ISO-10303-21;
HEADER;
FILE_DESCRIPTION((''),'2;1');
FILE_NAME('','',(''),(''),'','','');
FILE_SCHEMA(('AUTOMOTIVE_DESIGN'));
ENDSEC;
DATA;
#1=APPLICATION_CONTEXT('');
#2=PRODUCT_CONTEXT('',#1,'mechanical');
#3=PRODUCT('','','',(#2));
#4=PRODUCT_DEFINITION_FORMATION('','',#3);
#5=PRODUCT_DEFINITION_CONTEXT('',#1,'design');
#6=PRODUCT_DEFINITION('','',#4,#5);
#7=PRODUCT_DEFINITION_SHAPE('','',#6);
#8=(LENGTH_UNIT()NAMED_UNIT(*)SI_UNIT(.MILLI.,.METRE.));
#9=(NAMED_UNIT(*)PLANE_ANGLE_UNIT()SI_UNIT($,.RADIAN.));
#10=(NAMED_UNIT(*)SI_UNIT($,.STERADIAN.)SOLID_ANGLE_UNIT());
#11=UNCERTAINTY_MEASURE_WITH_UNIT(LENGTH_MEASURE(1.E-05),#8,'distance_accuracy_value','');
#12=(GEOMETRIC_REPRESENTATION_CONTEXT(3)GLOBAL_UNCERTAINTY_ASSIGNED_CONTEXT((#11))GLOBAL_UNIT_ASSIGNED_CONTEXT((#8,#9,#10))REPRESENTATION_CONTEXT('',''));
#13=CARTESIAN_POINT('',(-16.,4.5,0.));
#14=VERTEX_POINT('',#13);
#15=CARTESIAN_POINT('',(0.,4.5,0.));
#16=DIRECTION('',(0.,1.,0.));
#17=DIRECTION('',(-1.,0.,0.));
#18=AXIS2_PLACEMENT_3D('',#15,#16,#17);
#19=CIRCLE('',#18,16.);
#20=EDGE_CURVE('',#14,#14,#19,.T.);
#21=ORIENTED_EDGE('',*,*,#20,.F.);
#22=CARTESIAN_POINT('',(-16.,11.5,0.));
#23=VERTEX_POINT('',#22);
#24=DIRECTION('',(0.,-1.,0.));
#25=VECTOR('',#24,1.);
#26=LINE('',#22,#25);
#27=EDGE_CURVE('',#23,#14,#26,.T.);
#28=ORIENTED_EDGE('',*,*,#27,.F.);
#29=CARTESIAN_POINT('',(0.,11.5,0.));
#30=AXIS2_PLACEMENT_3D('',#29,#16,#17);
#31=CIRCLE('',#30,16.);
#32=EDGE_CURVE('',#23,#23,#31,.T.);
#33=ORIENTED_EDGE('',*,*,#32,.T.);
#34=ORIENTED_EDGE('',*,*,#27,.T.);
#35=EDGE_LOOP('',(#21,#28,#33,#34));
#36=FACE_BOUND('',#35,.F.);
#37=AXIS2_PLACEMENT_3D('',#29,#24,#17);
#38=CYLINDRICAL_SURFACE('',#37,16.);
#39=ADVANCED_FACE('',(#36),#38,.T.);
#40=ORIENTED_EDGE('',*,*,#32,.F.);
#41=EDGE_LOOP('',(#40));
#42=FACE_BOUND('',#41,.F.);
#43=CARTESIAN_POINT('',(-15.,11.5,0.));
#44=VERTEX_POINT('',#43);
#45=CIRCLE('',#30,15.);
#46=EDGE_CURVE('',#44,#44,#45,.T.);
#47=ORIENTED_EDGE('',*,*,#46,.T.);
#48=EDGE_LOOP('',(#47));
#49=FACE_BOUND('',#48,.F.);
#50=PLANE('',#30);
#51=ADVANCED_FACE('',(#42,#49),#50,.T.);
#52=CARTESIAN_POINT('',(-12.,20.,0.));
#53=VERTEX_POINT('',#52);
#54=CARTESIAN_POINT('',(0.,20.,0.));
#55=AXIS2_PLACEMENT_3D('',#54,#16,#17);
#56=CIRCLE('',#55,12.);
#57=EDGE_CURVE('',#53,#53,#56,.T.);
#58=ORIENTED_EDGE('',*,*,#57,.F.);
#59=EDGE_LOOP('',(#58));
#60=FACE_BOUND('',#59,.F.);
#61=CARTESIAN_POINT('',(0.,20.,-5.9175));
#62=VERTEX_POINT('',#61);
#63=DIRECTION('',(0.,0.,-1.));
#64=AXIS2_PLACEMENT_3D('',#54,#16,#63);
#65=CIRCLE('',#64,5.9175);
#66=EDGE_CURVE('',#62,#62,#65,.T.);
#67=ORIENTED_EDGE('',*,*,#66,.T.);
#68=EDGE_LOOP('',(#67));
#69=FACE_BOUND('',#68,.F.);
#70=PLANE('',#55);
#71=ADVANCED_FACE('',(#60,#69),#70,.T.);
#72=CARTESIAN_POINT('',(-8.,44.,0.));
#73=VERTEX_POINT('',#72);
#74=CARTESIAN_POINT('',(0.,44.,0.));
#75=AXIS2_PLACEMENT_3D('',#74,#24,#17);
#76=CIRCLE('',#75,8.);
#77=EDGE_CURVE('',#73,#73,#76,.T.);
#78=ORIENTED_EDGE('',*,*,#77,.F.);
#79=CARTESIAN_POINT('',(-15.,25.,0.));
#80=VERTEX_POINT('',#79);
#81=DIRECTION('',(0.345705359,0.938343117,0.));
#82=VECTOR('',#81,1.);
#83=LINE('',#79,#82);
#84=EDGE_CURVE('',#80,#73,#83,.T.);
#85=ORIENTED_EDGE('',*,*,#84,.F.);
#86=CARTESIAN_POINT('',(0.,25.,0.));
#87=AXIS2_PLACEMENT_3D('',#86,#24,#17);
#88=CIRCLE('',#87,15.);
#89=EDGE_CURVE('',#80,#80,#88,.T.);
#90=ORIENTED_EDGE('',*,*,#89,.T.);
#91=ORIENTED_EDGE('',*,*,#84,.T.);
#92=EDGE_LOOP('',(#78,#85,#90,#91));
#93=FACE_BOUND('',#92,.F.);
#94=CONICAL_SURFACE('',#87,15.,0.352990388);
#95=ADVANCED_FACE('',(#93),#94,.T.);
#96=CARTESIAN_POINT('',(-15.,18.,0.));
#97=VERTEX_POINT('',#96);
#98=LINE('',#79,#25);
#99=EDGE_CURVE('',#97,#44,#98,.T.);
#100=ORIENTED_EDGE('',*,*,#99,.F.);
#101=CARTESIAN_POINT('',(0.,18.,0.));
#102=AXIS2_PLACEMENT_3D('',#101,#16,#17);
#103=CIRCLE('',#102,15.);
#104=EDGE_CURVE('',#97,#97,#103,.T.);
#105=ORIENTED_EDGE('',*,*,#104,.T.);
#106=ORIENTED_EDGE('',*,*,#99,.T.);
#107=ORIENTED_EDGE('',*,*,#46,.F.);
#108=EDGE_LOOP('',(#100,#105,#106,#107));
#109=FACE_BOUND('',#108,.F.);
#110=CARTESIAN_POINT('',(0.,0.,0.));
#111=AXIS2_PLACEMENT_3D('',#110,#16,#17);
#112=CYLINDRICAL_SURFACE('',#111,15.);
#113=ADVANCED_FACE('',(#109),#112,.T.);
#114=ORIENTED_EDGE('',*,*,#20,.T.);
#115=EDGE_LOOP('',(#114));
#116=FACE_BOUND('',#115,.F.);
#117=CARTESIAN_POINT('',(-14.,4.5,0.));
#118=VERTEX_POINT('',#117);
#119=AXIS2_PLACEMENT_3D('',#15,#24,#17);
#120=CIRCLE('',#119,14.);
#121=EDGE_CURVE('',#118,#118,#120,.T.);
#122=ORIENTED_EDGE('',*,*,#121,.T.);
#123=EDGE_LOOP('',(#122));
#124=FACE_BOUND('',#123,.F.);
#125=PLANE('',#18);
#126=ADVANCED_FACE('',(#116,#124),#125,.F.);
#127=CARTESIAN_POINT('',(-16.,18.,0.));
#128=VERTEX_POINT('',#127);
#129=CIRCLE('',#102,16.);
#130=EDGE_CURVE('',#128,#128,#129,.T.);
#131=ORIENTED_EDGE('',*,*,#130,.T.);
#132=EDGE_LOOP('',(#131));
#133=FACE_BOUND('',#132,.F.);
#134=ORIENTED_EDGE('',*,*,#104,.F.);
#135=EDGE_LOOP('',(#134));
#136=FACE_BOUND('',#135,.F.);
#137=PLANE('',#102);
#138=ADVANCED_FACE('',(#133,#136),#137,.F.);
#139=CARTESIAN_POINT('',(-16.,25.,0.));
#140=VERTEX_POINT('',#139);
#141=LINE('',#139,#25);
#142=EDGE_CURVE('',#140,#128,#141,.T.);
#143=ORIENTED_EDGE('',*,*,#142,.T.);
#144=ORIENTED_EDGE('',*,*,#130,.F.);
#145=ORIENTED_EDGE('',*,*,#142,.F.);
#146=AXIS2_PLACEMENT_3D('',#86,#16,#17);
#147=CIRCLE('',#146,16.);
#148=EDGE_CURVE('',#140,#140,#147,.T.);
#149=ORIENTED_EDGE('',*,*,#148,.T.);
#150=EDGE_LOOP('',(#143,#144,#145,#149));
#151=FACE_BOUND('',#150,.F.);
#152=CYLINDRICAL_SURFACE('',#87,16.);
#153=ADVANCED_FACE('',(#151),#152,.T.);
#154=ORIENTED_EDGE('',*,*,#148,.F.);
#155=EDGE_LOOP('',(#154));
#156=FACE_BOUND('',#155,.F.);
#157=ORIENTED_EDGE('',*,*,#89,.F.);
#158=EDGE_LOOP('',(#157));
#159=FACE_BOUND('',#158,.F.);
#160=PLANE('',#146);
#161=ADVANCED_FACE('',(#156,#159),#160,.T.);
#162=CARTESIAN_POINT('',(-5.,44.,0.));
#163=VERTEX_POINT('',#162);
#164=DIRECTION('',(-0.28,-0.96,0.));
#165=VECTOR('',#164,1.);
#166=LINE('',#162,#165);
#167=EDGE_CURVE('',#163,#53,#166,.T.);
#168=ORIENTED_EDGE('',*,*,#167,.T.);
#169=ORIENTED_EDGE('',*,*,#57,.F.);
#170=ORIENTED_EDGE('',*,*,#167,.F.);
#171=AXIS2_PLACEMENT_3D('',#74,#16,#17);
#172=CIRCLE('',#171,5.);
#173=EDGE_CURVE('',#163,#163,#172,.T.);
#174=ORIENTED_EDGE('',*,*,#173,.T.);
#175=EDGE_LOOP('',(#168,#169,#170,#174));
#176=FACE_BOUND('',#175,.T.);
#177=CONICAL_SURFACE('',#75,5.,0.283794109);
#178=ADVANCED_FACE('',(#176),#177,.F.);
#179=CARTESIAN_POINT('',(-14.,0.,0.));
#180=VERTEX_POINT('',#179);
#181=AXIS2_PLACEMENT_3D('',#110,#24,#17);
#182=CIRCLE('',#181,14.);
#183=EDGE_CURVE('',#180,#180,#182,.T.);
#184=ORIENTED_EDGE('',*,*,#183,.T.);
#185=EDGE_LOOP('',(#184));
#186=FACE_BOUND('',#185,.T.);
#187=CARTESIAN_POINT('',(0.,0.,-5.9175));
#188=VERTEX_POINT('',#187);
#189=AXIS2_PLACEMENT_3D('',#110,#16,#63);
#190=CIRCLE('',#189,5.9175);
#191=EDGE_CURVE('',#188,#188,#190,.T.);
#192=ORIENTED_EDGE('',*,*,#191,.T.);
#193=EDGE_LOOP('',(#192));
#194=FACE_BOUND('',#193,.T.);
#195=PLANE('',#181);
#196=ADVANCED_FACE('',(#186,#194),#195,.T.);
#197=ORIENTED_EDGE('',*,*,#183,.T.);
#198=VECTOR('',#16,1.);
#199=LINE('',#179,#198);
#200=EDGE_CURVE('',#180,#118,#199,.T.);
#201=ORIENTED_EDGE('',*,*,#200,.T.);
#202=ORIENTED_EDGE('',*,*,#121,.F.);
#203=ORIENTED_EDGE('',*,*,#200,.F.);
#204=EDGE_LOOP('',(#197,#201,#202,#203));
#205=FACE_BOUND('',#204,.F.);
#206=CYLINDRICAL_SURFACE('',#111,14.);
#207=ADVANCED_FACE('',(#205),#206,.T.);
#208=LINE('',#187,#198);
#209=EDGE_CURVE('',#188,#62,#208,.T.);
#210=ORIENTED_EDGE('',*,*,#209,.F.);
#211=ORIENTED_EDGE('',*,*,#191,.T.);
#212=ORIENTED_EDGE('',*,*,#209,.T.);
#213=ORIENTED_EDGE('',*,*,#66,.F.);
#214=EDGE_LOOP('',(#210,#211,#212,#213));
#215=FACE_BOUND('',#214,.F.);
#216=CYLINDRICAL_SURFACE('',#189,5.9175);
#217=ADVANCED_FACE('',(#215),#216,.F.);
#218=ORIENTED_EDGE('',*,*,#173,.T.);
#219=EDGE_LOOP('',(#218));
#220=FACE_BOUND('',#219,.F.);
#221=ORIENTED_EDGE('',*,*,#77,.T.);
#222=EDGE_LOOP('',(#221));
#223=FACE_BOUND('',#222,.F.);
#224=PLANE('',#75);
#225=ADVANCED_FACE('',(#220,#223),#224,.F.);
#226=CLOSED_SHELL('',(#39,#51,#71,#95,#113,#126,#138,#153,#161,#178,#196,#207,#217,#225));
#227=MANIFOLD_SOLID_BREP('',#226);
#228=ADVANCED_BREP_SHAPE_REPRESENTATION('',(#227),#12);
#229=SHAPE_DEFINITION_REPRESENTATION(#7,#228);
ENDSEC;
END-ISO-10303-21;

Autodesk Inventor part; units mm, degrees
ref_plane "YZ Plane" through (0, 0, 0) normal (1, 0, 0) x (0, 1, 0)
ref_plane "XZ Plane" through (0, 0, 0) normal (0, 1, 0) x (-1, 0, 0)
ref_plane "XY Plane" through (0, 0, 0) normal (0, 0, 1) x (1, 0, 0)
sketch "Sketch1" plane through (0, 0, 0) normal (0, 0, 1) x (1, 0, 0)
  line L0 (0, 52.8) -> (0, -8.8) construction
  line L1 (-18, 0) -> (3, 0) construction
  line L2 (-15, 0) -> (0, 0)
  line L3 (-15, 0) -> (-15, 25)
  line L4 (-15, 25) -> (-8, 44)
  line L5 (-8, 44) -> (0, 44)
  line L6 (0, 44) -> (0, 0)
  line L7 (-15, 0) -> (-14, 0)
  line L8 (-14, 0) -> (-14, 4.5)
  line L9 (-14, 4.5) -> (-15, 4.5)
  line L10 (-15, 4.5) -> (-15, 0)
  dimension "d0" = 15
  dimension "d1" = 44
  dimension "d2" = 8
  dimension "d3" = 25
  dimension "d31" = 1
  dimension "d32" = 4.5
revolve "Revolution1" add sketch "Sketch1" angle 360 about axis through (0, 0, 0) along (0, -1, 0)
revolve "Revolution4" cut sketch "Sketch1" angle 360 about axis through (0, 0, 0) along (0, -1, 0) contours L3 L9 L8 L2
sketch "Sketch2" plane through (0, 0, 0) normal (0, 0, 1) x (1, 0, 0)
  line L0 (-8, 44) -> (-15, 25) projected
  line L1 (-8, 44) -> (8, 44) projected
  line L2 (8, 44) -> (15, 25) projected
  line L3 (0, 44) -> (0, 20)
  line L4 (0, 20) -> (-12, 20)
  line L5 (-5, 44) -> (-12, 20)
  line L6 (0, 15.2) -> (0, 48.8) projected
  dimension "d10" = 12
  dimension "d11" = 3
  dimension "d12" = 24
revolve "Revolution2" cut sketch "Sketch2" angle 360 about axis through (0, -10, 0) along (0, 1, 0)
sketch "Sketch3" plane through (0, 0, 0) normal (0, -1, 0) x (1, 0, 0)
  circle A0 centre (0, 0) radius 15 projected
hole "Hole1" at (0, 0, 0) direction (0, 1, 0) diameter 11.835 depth 20 thread size "M14x2" class "6H" standard "ISO Metric profile"
sketch "Sketch4" plane through (0, 0, 0) normal (0, 0, 1) x (1, 0, 0)
  line L0 (-15, 0) -> (15, 0) projected
  line L1 (-15, 25) -> (15, 25) projected
  line L2 (-15, 25) -> (-15, 0)
  line L3 (-15, 25) -> (-16, 25)
  line L4 (-16, 25) -> (-16, 18)
  line L5 (-16, 18) -> (-15, 18)
  line L6 (-15, 18) -> (-15, 25)
  line L7 (-15, 11.5) -> (-16, 11.5)
  line L8 (-16, 11.5) -> (-16, 4.5)
  line L9 (-16, 4.5) -> (-15, 4.5)
  line L10 (-15, 4.5) -> (-15, 11.5)
  line L11 (0, -5) -> (0, 30) projected
  line L12 (15, 4.5) -> (-15, 4.5) projected
  point P0 (-15.5, 11.5)
  point P1 (-15.5, 18)
  point P2 (-15, 8)
  point P3 (-15, 18)
  dimension "d24" = 1
  dimension "d28" = 7
  dimension "d29" = 7
revolve "Revolution3" add sketch "Sketch4" angle 360 about axis through (0, -10, 0) along (0, 1, 0) contours L9 L8 L7 L2 | L5 L4 L3 L2
properties part number "B3OFT4_HF2_kezifuro_Tokmany" material "Stainless Steel"
